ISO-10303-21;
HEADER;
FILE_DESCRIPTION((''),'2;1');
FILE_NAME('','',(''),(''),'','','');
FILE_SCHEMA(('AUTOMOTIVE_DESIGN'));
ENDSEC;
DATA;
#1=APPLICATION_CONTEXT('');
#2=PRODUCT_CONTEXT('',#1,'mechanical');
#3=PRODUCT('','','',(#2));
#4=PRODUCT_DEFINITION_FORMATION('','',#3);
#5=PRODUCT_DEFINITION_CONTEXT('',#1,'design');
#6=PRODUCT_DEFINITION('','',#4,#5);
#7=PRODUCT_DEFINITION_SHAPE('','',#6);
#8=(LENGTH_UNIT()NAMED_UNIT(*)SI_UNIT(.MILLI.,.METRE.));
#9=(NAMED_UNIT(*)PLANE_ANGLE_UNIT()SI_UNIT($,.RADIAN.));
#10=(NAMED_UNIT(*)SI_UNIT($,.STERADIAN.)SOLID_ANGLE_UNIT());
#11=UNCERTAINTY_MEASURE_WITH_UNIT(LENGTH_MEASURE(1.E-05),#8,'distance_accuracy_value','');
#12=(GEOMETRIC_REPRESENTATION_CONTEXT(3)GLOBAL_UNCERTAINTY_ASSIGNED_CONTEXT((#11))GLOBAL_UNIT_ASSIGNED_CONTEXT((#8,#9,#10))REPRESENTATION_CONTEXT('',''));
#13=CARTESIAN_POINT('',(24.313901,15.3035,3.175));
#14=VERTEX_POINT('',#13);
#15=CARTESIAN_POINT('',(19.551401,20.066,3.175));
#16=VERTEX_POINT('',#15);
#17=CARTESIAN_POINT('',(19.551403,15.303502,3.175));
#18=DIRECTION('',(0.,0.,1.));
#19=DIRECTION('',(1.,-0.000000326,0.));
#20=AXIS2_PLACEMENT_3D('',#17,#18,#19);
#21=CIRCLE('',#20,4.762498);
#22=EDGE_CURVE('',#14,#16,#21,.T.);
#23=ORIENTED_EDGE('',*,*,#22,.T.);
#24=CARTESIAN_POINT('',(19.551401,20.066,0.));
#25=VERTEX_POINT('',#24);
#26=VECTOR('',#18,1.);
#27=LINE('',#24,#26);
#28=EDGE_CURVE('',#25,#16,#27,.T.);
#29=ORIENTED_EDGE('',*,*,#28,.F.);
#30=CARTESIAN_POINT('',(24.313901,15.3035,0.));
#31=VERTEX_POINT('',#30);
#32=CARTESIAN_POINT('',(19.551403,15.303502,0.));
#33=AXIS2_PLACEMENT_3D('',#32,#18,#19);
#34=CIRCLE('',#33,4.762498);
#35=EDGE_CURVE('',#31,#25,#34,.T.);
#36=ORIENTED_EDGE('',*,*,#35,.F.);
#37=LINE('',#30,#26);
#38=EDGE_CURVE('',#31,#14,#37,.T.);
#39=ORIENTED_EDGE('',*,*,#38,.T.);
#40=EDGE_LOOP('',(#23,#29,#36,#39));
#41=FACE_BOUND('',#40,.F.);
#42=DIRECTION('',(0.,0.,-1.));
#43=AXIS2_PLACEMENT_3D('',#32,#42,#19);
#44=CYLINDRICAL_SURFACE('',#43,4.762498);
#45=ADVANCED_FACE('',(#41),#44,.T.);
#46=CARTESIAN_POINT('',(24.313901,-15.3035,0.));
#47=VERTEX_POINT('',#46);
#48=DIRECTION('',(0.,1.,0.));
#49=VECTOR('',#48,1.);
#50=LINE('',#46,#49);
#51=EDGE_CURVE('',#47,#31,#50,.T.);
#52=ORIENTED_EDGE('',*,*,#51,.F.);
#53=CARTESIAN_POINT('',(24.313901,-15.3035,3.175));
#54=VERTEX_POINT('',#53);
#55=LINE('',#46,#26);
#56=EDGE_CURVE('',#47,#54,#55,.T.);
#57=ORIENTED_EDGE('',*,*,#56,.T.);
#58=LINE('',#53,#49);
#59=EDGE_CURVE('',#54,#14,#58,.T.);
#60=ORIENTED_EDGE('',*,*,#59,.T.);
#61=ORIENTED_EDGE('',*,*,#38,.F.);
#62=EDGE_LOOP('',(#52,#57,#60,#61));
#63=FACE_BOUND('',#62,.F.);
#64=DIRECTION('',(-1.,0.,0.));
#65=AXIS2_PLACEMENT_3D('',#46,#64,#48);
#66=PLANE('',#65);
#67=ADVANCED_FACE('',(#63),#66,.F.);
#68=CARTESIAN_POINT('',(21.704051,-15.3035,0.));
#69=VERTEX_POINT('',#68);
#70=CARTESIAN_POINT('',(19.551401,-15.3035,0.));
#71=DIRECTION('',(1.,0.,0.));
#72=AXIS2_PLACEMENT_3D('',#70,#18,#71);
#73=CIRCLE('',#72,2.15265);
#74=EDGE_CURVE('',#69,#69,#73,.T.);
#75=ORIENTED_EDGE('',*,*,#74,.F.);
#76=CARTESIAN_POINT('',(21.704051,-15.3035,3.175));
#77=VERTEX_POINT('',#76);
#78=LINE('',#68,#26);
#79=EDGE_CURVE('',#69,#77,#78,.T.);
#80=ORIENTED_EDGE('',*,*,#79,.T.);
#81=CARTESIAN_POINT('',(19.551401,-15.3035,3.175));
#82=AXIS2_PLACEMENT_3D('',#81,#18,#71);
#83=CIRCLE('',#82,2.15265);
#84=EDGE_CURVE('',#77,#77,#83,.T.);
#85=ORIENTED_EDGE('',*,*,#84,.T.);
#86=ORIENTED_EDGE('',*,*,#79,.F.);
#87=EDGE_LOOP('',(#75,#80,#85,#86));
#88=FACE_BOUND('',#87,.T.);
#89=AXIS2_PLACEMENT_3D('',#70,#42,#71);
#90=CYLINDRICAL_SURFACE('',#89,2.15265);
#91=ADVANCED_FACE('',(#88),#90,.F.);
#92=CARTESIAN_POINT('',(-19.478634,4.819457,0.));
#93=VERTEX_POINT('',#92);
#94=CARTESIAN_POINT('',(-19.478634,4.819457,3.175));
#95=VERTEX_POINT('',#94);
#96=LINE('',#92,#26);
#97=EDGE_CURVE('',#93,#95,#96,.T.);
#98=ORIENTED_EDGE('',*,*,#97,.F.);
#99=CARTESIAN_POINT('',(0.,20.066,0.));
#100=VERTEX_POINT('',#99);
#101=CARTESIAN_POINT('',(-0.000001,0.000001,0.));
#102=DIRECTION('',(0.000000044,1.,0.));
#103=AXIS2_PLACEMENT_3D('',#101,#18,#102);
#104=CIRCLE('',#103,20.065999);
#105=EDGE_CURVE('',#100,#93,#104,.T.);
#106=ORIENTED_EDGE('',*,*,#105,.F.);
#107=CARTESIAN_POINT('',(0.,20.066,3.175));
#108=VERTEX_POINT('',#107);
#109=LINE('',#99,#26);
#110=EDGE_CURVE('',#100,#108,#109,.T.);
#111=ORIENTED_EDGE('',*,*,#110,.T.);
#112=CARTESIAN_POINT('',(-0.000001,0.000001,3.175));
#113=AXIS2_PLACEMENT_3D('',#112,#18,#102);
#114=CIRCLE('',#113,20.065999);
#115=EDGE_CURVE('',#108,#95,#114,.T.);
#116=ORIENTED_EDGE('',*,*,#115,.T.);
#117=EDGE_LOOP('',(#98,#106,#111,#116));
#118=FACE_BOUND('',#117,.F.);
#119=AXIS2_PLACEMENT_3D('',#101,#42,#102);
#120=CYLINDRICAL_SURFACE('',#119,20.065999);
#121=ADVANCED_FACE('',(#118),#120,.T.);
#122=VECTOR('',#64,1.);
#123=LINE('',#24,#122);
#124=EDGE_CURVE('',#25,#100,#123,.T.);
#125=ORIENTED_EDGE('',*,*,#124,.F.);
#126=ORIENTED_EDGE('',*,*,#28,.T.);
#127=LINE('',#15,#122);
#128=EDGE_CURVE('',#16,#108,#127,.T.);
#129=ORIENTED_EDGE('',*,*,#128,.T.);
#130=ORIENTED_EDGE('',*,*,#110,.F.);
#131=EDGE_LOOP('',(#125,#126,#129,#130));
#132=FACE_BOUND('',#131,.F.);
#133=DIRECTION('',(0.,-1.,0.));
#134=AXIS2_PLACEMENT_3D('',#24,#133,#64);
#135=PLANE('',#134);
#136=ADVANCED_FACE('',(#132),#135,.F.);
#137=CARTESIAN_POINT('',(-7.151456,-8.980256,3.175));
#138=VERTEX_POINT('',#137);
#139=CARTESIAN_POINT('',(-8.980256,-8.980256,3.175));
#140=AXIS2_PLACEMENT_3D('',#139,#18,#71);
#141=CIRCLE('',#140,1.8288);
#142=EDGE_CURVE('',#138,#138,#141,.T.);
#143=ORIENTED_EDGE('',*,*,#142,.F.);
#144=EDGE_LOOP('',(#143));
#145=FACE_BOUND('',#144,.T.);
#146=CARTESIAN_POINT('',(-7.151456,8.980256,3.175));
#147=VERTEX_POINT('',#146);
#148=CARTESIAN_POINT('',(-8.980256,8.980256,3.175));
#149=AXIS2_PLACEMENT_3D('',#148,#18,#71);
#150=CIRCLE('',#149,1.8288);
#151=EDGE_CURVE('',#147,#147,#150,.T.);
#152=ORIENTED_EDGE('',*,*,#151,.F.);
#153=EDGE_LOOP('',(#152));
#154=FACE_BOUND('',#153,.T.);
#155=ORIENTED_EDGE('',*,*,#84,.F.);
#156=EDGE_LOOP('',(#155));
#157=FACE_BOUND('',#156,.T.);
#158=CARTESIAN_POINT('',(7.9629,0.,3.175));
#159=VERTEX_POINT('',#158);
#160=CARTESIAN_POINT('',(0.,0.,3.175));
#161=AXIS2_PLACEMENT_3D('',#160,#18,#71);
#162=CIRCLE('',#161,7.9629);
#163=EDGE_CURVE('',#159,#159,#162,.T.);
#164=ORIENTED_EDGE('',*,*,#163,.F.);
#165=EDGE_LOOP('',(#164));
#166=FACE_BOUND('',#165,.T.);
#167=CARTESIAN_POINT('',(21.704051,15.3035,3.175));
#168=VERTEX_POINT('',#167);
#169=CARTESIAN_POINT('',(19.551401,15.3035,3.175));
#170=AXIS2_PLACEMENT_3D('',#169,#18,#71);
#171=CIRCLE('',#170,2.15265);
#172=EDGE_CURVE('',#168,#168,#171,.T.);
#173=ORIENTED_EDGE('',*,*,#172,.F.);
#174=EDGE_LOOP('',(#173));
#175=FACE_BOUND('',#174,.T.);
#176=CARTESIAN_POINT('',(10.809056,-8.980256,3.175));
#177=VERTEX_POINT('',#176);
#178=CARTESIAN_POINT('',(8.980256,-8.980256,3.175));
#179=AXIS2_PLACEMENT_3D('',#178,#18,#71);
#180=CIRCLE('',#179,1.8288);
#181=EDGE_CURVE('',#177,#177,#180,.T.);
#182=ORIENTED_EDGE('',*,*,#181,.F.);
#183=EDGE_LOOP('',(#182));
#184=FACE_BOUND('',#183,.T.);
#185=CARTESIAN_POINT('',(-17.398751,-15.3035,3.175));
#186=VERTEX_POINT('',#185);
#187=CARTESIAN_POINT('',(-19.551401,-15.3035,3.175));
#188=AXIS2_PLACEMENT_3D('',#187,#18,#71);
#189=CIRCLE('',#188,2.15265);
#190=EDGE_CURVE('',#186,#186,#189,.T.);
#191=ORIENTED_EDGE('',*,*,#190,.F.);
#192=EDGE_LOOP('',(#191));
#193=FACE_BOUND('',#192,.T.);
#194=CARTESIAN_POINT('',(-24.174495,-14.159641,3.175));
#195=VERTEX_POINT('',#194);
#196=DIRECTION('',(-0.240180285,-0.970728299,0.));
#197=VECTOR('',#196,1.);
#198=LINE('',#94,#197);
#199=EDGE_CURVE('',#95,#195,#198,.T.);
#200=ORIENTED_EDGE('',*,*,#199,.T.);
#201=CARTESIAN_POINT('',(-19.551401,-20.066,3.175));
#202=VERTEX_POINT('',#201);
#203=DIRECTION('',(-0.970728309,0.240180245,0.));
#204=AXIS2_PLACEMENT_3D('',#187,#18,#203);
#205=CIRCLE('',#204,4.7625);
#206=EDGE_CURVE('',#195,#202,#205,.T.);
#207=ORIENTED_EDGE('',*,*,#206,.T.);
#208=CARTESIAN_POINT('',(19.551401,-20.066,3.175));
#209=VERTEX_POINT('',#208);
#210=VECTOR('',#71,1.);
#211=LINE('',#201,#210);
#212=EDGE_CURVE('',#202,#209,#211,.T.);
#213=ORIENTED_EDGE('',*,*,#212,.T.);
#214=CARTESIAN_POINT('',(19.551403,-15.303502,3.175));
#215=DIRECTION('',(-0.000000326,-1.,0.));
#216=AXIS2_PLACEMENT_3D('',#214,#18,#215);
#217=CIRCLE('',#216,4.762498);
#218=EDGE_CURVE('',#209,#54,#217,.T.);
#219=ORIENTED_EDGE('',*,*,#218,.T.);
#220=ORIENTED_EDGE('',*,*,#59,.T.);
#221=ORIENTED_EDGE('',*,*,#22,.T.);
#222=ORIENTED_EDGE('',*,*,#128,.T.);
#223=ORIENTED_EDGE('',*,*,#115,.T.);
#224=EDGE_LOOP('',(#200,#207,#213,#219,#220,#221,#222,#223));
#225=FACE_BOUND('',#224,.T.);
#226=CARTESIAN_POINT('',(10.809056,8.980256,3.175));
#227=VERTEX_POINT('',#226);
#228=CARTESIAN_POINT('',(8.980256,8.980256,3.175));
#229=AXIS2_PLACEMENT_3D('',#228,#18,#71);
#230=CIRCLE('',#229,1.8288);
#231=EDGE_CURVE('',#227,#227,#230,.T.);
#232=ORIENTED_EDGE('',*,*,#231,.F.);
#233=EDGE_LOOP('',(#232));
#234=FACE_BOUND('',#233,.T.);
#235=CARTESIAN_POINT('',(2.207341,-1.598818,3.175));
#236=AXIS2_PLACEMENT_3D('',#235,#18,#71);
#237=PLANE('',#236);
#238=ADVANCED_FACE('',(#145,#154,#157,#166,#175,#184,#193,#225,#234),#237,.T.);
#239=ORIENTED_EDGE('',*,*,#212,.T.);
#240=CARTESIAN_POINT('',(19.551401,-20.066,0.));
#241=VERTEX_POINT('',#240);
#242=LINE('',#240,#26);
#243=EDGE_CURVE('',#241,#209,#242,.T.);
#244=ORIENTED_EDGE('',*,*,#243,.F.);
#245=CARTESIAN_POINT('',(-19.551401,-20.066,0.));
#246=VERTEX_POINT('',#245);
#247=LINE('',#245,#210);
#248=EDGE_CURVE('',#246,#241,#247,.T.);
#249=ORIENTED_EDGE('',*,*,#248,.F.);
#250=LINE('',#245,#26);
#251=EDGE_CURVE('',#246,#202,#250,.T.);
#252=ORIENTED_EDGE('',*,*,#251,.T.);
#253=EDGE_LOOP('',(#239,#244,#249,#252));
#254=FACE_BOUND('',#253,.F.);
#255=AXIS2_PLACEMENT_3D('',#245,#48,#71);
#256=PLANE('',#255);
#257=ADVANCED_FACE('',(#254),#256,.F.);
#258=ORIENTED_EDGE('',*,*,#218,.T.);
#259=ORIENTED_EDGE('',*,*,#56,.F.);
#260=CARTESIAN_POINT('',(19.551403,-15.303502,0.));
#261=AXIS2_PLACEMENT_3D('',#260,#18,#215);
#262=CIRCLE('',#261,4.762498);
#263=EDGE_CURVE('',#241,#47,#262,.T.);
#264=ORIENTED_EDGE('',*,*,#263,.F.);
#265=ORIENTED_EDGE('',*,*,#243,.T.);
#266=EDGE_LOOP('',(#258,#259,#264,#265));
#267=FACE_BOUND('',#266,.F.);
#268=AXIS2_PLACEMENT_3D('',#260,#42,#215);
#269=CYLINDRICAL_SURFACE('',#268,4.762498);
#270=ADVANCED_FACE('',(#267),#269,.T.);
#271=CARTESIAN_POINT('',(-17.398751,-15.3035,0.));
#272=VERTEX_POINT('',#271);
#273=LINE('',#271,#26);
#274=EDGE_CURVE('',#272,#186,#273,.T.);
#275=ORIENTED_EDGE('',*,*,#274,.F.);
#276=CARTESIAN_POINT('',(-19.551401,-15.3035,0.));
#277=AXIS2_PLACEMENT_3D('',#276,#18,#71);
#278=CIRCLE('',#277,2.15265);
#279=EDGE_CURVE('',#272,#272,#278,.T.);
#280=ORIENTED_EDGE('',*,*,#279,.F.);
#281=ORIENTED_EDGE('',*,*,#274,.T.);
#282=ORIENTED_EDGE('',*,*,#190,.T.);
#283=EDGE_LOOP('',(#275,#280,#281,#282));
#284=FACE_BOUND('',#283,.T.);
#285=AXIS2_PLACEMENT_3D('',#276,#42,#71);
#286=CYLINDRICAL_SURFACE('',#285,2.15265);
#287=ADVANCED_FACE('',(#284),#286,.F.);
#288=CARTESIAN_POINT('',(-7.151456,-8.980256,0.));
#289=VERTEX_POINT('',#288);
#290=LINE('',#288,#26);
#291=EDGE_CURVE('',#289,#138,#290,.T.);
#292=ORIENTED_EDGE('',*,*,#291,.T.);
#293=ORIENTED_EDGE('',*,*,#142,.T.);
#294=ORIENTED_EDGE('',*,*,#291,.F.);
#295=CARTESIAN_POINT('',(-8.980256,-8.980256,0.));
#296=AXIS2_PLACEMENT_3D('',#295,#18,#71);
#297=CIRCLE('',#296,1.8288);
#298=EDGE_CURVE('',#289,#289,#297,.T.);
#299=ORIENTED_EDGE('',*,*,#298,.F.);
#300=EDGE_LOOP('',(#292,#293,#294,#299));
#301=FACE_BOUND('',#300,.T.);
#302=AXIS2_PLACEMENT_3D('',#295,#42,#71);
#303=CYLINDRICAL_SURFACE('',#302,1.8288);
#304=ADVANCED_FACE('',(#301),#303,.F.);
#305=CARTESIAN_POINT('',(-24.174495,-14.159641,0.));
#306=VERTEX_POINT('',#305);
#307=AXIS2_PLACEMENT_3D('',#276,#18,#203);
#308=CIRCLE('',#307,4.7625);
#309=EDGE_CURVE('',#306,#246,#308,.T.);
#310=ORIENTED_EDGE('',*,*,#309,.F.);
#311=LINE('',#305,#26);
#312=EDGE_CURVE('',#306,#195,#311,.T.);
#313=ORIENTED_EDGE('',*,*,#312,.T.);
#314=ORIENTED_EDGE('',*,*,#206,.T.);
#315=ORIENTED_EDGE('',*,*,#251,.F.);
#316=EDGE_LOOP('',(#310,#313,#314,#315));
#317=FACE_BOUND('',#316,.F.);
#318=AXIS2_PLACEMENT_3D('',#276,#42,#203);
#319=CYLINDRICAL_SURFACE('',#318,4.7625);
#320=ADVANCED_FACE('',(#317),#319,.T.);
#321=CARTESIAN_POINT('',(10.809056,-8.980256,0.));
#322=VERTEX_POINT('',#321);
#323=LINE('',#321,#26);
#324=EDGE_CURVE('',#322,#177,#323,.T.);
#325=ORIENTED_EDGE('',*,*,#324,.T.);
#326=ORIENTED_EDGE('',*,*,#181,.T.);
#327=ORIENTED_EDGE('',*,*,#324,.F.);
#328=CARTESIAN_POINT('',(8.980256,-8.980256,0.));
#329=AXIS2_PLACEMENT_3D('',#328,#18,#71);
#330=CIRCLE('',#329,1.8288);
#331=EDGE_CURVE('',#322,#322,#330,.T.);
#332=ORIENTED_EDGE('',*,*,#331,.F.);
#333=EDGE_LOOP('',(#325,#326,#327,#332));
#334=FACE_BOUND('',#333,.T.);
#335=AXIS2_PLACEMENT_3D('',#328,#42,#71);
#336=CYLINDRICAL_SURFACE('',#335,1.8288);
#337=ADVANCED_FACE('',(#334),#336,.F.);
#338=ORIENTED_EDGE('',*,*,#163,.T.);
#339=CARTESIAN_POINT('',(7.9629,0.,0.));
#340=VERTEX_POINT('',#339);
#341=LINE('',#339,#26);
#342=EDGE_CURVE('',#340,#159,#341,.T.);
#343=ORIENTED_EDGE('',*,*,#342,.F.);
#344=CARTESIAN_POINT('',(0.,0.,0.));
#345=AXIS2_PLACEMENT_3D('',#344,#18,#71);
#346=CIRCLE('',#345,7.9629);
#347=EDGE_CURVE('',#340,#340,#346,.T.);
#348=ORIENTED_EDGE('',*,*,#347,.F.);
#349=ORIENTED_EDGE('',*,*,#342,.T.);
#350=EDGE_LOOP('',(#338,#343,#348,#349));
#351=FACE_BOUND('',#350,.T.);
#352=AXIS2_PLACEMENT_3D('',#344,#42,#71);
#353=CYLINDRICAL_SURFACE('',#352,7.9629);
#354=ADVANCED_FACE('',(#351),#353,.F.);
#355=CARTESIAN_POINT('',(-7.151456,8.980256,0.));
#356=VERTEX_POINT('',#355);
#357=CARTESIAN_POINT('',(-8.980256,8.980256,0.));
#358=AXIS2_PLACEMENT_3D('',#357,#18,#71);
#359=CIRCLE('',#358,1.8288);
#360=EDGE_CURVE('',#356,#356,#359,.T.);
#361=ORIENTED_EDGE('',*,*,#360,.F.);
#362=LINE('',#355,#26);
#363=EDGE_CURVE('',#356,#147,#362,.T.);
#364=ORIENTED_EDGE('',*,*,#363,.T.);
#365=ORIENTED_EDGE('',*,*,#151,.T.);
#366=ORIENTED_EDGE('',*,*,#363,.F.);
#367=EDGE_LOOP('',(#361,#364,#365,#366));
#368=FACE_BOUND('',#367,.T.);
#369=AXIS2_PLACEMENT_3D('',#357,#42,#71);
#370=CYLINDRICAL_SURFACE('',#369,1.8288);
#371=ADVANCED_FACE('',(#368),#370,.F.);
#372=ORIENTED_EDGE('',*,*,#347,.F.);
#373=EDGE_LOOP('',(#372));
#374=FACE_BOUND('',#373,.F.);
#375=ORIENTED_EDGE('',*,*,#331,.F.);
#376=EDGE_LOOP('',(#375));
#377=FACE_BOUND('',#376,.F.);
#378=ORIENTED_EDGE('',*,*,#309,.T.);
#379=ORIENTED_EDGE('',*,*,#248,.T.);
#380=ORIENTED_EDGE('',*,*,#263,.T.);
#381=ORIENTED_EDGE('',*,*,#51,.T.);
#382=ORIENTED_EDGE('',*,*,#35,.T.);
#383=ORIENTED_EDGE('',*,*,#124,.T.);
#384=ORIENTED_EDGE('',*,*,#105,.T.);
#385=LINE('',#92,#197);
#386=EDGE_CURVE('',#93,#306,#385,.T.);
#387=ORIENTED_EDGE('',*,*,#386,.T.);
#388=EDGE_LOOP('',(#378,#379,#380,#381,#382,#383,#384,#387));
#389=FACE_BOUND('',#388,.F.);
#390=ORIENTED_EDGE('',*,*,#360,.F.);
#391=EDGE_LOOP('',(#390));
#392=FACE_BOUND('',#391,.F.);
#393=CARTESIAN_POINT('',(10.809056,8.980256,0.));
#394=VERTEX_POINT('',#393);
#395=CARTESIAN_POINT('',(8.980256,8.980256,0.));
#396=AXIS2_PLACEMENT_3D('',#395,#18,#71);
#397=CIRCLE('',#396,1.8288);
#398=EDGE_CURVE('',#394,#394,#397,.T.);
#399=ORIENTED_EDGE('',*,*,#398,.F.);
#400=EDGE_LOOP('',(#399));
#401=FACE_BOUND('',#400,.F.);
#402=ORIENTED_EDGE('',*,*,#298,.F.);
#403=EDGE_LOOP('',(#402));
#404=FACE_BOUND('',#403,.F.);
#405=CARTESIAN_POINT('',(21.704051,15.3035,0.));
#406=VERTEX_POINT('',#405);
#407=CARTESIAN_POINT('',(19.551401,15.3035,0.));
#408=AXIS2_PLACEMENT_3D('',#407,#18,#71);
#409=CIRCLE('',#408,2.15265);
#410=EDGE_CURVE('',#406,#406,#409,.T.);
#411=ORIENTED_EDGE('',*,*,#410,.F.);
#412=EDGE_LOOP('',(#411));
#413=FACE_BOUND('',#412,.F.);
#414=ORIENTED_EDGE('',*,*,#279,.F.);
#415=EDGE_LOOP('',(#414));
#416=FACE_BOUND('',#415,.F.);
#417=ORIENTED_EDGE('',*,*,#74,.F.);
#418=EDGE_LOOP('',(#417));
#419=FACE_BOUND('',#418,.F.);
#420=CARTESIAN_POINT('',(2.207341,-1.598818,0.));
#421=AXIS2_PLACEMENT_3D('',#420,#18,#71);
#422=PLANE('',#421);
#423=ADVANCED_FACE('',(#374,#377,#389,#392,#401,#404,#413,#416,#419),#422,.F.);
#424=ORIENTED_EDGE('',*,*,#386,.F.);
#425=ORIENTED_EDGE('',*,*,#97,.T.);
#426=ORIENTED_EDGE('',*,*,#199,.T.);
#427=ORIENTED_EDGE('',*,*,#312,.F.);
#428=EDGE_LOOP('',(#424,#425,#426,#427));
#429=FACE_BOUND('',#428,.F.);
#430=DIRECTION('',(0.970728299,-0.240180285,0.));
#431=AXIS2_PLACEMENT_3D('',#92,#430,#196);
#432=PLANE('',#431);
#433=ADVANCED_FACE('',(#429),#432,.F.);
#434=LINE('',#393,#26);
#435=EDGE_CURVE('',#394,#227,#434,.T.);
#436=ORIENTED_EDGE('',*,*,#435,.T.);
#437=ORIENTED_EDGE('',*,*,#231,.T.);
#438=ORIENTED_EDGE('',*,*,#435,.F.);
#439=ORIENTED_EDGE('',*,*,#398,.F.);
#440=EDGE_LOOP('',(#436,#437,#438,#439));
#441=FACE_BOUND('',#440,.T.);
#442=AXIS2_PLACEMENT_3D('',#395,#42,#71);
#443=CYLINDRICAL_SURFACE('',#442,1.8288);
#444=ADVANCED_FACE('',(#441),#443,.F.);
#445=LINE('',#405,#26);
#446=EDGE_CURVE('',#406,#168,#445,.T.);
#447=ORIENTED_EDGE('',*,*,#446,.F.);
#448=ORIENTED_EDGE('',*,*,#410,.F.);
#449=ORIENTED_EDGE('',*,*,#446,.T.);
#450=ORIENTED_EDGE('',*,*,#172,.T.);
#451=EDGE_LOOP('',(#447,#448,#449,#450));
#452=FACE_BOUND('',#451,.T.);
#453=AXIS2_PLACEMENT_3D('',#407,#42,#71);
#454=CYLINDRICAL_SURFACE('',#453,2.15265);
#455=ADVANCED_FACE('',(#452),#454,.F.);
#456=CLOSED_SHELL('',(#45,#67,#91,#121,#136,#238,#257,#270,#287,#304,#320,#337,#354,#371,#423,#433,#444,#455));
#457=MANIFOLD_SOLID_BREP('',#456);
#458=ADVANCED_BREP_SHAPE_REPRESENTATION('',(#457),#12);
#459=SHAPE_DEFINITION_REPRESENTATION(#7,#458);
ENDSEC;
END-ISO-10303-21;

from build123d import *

# Parameters (mm, degrees)
F0_R     = 2.15265
F0_R_2   = 1.8288
F0_R_3   = 7.9629
F1_DEPTH = 3.175


with BuildPart() as f1:
    # F0 (on Top) → F1 (new body)
    with BuildSketch(Plane.XY):
        with BuildLine():
            Line((19.551401, 20.066), (0, 20.066))
            ThreePointArc((0, 20.066), (-12.368046, 15.801133), (-19.478634, 4.819457))
            Line((-19.478634, 4.819457), (-24.174495, -14.159641))
            ThreePointArc((-24.174495, -14.159641), (-23.30167, -18.238954), (-19.551401, -20.066))
            Line((-19.551401, -20.066), (19.551401, -20.066))
            ThreePointArc((19.551401, -20.066), (22.918998, -18.671096), (24.313901, -15.3035))
            Line((24.313901, -15.3035), (24.313901, 15.3035))
            ThreePointArc((24.313901, 15.3035), (22.918998, 18.671096), (19.551401, 20.066))
        make_face()
        with Locations((-19.551401, -15.3035)):
            Circle(F0_R, mode=Mode.SUBTRACT)
        with Locations((-8.980256, -8.980256)):
            Circle(F0_R_2, mode=Mode.SUBTRACT)
        with Locations((19.551401, -15.3035)):
            Circle(F0_R, mode=Mode.SUBTRACT)
        with Locations((8.980256, -8.980256)):
            Circle(F0_R_2, mode=Mode.SUBTRACT)
        with Locations((-8.980256, 8.980256)):
            Circle(F0_R_2, mode=Mode.SUBTRACT)
        Circle(F0_R_3, mode=Mode.SUBTRACT)
        with Locations((8.980256, 8.980256)):
            Circle(F0_R_2, mode=Mode.SUBTRACT)
        with Locations((19.551401, 15.3035)):
            Circle(F0_R, mode=Mode.SUBTRACT)
    extrude(amount=F1_DEPTH)


solid = f1.part
